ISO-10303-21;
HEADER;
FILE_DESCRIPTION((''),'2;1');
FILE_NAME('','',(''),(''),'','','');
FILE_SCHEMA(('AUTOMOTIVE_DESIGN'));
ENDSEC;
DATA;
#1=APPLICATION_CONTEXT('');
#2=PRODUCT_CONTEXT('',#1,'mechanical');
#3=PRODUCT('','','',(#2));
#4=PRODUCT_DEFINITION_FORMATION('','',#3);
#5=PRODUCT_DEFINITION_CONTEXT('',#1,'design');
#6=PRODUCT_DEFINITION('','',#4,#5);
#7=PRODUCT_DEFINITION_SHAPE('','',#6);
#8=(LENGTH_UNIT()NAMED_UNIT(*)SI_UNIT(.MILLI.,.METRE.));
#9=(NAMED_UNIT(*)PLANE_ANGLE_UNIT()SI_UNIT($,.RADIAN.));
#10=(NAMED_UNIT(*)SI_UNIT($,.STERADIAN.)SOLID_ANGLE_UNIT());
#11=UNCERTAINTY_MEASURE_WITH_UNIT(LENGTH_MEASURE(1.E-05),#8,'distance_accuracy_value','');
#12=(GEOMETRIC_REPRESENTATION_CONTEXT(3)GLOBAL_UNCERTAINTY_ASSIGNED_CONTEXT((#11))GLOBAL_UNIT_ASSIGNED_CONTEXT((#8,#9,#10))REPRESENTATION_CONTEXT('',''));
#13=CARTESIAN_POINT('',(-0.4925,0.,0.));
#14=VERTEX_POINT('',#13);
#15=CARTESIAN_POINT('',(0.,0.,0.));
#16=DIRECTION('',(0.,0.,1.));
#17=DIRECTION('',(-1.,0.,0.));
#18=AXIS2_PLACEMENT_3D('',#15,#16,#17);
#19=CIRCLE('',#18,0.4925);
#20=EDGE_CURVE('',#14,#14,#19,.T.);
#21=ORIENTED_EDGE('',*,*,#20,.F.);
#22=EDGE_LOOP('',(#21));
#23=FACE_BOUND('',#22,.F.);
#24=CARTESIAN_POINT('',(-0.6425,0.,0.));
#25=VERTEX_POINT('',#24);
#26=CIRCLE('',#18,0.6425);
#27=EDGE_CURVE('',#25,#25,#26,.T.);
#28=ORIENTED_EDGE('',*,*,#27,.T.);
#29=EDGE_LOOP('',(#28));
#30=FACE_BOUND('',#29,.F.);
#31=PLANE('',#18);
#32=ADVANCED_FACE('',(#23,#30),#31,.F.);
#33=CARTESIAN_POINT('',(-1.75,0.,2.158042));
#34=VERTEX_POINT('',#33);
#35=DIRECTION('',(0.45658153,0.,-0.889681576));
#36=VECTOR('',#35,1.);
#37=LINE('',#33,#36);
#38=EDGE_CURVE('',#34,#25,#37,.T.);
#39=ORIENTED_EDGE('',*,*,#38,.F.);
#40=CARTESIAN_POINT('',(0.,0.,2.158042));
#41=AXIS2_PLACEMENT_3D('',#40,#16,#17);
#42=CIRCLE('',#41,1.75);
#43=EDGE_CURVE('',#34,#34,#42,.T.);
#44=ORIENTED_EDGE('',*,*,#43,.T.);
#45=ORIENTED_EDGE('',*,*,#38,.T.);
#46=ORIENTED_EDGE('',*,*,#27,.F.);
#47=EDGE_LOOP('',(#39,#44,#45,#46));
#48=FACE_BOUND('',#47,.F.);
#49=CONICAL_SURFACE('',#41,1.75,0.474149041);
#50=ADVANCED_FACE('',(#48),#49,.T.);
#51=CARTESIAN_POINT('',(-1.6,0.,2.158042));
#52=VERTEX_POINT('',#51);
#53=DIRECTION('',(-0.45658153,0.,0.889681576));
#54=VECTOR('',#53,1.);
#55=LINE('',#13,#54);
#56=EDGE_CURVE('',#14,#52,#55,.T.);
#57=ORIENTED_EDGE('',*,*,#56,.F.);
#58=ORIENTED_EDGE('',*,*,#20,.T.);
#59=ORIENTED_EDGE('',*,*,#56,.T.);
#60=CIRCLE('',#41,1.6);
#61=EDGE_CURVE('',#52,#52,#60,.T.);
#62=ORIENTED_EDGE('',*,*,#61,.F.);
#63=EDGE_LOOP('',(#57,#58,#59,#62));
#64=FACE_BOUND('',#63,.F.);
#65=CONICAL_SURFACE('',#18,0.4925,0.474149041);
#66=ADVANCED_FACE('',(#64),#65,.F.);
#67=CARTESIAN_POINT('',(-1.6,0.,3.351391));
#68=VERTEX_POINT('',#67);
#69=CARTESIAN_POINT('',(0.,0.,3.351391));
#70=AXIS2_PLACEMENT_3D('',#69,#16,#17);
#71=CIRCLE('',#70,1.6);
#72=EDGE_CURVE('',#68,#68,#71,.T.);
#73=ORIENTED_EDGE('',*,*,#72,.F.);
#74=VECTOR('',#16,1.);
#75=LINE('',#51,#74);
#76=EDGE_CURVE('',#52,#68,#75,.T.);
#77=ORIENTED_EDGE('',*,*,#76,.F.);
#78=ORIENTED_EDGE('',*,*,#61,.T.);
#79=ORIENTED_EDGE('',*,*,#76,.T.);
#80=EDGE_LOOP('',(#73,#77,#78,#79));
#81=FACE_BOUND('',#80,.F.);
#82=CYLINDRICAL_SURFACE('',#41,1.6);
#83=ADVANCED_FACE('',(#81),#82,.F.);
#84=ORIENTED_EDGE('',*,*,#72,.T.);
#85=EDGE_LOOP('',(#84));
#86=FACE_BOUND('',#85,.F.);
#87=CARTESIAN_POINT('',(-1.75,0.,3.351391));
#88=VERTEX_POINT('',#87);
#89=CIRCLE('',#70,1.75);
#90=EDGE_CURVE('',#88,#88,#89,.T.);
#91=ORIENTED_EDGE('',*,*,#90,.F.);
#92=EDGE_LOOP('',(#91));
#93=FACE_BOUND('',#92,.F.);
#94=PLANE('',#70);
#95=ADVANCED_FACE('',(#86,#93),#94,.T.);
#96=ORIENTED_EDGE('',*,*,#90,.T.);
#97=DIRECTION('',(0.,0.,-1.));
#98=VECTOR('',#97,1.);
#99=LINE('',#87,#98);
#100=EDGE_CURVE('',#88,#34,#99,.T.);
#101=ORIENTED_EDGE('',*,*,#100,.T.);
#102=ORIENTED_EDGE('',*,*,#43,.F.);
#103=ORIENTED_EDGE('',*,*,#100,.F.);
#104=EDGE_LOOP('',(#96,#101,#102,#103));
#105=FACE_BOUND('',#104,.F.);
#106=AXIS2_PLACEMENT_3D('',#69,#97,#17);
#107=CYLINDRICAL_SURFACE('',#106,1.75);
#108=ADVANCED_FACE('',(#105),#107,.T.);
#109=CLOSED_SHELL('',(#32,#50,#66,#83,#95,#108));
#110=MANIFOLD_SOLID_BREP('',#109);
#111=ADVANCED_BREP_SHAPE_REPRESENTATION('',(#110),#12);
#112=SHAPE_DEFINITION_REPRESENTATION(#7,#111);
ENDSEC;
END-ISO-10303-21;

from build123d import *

# Parameters (mm, degrees)
F3_R     = 1.6
F4_DEPTH = 3.71382
F4_TAPER = 17


with BuildPart() as f1:
    # F0 (on Front) → F1 (revolve)
    with BuildSketch(Plane.XZ):
        Polygon((-0.6425, 0), (-0.4925, 0), (-1.6, 2.1580424985), (-1.6, 3.3513910467), (-1.75, 3.3513910467), (-1.75, 2.1580424985), align=None)
    revolve(axis=Axis((0, 0, 1.6756955233), (0, 0, 1)))

    # F3 (on offset) → F4 (cut, through all)
    with BuildSketch(Plane.XY.offset(3.71282)):
        Circle(F3_R)
    extrude(amount=-F4_DEPTH, taper=F4_TAPER, mode=Mode.SUBTRACT)


solid = f1.part
